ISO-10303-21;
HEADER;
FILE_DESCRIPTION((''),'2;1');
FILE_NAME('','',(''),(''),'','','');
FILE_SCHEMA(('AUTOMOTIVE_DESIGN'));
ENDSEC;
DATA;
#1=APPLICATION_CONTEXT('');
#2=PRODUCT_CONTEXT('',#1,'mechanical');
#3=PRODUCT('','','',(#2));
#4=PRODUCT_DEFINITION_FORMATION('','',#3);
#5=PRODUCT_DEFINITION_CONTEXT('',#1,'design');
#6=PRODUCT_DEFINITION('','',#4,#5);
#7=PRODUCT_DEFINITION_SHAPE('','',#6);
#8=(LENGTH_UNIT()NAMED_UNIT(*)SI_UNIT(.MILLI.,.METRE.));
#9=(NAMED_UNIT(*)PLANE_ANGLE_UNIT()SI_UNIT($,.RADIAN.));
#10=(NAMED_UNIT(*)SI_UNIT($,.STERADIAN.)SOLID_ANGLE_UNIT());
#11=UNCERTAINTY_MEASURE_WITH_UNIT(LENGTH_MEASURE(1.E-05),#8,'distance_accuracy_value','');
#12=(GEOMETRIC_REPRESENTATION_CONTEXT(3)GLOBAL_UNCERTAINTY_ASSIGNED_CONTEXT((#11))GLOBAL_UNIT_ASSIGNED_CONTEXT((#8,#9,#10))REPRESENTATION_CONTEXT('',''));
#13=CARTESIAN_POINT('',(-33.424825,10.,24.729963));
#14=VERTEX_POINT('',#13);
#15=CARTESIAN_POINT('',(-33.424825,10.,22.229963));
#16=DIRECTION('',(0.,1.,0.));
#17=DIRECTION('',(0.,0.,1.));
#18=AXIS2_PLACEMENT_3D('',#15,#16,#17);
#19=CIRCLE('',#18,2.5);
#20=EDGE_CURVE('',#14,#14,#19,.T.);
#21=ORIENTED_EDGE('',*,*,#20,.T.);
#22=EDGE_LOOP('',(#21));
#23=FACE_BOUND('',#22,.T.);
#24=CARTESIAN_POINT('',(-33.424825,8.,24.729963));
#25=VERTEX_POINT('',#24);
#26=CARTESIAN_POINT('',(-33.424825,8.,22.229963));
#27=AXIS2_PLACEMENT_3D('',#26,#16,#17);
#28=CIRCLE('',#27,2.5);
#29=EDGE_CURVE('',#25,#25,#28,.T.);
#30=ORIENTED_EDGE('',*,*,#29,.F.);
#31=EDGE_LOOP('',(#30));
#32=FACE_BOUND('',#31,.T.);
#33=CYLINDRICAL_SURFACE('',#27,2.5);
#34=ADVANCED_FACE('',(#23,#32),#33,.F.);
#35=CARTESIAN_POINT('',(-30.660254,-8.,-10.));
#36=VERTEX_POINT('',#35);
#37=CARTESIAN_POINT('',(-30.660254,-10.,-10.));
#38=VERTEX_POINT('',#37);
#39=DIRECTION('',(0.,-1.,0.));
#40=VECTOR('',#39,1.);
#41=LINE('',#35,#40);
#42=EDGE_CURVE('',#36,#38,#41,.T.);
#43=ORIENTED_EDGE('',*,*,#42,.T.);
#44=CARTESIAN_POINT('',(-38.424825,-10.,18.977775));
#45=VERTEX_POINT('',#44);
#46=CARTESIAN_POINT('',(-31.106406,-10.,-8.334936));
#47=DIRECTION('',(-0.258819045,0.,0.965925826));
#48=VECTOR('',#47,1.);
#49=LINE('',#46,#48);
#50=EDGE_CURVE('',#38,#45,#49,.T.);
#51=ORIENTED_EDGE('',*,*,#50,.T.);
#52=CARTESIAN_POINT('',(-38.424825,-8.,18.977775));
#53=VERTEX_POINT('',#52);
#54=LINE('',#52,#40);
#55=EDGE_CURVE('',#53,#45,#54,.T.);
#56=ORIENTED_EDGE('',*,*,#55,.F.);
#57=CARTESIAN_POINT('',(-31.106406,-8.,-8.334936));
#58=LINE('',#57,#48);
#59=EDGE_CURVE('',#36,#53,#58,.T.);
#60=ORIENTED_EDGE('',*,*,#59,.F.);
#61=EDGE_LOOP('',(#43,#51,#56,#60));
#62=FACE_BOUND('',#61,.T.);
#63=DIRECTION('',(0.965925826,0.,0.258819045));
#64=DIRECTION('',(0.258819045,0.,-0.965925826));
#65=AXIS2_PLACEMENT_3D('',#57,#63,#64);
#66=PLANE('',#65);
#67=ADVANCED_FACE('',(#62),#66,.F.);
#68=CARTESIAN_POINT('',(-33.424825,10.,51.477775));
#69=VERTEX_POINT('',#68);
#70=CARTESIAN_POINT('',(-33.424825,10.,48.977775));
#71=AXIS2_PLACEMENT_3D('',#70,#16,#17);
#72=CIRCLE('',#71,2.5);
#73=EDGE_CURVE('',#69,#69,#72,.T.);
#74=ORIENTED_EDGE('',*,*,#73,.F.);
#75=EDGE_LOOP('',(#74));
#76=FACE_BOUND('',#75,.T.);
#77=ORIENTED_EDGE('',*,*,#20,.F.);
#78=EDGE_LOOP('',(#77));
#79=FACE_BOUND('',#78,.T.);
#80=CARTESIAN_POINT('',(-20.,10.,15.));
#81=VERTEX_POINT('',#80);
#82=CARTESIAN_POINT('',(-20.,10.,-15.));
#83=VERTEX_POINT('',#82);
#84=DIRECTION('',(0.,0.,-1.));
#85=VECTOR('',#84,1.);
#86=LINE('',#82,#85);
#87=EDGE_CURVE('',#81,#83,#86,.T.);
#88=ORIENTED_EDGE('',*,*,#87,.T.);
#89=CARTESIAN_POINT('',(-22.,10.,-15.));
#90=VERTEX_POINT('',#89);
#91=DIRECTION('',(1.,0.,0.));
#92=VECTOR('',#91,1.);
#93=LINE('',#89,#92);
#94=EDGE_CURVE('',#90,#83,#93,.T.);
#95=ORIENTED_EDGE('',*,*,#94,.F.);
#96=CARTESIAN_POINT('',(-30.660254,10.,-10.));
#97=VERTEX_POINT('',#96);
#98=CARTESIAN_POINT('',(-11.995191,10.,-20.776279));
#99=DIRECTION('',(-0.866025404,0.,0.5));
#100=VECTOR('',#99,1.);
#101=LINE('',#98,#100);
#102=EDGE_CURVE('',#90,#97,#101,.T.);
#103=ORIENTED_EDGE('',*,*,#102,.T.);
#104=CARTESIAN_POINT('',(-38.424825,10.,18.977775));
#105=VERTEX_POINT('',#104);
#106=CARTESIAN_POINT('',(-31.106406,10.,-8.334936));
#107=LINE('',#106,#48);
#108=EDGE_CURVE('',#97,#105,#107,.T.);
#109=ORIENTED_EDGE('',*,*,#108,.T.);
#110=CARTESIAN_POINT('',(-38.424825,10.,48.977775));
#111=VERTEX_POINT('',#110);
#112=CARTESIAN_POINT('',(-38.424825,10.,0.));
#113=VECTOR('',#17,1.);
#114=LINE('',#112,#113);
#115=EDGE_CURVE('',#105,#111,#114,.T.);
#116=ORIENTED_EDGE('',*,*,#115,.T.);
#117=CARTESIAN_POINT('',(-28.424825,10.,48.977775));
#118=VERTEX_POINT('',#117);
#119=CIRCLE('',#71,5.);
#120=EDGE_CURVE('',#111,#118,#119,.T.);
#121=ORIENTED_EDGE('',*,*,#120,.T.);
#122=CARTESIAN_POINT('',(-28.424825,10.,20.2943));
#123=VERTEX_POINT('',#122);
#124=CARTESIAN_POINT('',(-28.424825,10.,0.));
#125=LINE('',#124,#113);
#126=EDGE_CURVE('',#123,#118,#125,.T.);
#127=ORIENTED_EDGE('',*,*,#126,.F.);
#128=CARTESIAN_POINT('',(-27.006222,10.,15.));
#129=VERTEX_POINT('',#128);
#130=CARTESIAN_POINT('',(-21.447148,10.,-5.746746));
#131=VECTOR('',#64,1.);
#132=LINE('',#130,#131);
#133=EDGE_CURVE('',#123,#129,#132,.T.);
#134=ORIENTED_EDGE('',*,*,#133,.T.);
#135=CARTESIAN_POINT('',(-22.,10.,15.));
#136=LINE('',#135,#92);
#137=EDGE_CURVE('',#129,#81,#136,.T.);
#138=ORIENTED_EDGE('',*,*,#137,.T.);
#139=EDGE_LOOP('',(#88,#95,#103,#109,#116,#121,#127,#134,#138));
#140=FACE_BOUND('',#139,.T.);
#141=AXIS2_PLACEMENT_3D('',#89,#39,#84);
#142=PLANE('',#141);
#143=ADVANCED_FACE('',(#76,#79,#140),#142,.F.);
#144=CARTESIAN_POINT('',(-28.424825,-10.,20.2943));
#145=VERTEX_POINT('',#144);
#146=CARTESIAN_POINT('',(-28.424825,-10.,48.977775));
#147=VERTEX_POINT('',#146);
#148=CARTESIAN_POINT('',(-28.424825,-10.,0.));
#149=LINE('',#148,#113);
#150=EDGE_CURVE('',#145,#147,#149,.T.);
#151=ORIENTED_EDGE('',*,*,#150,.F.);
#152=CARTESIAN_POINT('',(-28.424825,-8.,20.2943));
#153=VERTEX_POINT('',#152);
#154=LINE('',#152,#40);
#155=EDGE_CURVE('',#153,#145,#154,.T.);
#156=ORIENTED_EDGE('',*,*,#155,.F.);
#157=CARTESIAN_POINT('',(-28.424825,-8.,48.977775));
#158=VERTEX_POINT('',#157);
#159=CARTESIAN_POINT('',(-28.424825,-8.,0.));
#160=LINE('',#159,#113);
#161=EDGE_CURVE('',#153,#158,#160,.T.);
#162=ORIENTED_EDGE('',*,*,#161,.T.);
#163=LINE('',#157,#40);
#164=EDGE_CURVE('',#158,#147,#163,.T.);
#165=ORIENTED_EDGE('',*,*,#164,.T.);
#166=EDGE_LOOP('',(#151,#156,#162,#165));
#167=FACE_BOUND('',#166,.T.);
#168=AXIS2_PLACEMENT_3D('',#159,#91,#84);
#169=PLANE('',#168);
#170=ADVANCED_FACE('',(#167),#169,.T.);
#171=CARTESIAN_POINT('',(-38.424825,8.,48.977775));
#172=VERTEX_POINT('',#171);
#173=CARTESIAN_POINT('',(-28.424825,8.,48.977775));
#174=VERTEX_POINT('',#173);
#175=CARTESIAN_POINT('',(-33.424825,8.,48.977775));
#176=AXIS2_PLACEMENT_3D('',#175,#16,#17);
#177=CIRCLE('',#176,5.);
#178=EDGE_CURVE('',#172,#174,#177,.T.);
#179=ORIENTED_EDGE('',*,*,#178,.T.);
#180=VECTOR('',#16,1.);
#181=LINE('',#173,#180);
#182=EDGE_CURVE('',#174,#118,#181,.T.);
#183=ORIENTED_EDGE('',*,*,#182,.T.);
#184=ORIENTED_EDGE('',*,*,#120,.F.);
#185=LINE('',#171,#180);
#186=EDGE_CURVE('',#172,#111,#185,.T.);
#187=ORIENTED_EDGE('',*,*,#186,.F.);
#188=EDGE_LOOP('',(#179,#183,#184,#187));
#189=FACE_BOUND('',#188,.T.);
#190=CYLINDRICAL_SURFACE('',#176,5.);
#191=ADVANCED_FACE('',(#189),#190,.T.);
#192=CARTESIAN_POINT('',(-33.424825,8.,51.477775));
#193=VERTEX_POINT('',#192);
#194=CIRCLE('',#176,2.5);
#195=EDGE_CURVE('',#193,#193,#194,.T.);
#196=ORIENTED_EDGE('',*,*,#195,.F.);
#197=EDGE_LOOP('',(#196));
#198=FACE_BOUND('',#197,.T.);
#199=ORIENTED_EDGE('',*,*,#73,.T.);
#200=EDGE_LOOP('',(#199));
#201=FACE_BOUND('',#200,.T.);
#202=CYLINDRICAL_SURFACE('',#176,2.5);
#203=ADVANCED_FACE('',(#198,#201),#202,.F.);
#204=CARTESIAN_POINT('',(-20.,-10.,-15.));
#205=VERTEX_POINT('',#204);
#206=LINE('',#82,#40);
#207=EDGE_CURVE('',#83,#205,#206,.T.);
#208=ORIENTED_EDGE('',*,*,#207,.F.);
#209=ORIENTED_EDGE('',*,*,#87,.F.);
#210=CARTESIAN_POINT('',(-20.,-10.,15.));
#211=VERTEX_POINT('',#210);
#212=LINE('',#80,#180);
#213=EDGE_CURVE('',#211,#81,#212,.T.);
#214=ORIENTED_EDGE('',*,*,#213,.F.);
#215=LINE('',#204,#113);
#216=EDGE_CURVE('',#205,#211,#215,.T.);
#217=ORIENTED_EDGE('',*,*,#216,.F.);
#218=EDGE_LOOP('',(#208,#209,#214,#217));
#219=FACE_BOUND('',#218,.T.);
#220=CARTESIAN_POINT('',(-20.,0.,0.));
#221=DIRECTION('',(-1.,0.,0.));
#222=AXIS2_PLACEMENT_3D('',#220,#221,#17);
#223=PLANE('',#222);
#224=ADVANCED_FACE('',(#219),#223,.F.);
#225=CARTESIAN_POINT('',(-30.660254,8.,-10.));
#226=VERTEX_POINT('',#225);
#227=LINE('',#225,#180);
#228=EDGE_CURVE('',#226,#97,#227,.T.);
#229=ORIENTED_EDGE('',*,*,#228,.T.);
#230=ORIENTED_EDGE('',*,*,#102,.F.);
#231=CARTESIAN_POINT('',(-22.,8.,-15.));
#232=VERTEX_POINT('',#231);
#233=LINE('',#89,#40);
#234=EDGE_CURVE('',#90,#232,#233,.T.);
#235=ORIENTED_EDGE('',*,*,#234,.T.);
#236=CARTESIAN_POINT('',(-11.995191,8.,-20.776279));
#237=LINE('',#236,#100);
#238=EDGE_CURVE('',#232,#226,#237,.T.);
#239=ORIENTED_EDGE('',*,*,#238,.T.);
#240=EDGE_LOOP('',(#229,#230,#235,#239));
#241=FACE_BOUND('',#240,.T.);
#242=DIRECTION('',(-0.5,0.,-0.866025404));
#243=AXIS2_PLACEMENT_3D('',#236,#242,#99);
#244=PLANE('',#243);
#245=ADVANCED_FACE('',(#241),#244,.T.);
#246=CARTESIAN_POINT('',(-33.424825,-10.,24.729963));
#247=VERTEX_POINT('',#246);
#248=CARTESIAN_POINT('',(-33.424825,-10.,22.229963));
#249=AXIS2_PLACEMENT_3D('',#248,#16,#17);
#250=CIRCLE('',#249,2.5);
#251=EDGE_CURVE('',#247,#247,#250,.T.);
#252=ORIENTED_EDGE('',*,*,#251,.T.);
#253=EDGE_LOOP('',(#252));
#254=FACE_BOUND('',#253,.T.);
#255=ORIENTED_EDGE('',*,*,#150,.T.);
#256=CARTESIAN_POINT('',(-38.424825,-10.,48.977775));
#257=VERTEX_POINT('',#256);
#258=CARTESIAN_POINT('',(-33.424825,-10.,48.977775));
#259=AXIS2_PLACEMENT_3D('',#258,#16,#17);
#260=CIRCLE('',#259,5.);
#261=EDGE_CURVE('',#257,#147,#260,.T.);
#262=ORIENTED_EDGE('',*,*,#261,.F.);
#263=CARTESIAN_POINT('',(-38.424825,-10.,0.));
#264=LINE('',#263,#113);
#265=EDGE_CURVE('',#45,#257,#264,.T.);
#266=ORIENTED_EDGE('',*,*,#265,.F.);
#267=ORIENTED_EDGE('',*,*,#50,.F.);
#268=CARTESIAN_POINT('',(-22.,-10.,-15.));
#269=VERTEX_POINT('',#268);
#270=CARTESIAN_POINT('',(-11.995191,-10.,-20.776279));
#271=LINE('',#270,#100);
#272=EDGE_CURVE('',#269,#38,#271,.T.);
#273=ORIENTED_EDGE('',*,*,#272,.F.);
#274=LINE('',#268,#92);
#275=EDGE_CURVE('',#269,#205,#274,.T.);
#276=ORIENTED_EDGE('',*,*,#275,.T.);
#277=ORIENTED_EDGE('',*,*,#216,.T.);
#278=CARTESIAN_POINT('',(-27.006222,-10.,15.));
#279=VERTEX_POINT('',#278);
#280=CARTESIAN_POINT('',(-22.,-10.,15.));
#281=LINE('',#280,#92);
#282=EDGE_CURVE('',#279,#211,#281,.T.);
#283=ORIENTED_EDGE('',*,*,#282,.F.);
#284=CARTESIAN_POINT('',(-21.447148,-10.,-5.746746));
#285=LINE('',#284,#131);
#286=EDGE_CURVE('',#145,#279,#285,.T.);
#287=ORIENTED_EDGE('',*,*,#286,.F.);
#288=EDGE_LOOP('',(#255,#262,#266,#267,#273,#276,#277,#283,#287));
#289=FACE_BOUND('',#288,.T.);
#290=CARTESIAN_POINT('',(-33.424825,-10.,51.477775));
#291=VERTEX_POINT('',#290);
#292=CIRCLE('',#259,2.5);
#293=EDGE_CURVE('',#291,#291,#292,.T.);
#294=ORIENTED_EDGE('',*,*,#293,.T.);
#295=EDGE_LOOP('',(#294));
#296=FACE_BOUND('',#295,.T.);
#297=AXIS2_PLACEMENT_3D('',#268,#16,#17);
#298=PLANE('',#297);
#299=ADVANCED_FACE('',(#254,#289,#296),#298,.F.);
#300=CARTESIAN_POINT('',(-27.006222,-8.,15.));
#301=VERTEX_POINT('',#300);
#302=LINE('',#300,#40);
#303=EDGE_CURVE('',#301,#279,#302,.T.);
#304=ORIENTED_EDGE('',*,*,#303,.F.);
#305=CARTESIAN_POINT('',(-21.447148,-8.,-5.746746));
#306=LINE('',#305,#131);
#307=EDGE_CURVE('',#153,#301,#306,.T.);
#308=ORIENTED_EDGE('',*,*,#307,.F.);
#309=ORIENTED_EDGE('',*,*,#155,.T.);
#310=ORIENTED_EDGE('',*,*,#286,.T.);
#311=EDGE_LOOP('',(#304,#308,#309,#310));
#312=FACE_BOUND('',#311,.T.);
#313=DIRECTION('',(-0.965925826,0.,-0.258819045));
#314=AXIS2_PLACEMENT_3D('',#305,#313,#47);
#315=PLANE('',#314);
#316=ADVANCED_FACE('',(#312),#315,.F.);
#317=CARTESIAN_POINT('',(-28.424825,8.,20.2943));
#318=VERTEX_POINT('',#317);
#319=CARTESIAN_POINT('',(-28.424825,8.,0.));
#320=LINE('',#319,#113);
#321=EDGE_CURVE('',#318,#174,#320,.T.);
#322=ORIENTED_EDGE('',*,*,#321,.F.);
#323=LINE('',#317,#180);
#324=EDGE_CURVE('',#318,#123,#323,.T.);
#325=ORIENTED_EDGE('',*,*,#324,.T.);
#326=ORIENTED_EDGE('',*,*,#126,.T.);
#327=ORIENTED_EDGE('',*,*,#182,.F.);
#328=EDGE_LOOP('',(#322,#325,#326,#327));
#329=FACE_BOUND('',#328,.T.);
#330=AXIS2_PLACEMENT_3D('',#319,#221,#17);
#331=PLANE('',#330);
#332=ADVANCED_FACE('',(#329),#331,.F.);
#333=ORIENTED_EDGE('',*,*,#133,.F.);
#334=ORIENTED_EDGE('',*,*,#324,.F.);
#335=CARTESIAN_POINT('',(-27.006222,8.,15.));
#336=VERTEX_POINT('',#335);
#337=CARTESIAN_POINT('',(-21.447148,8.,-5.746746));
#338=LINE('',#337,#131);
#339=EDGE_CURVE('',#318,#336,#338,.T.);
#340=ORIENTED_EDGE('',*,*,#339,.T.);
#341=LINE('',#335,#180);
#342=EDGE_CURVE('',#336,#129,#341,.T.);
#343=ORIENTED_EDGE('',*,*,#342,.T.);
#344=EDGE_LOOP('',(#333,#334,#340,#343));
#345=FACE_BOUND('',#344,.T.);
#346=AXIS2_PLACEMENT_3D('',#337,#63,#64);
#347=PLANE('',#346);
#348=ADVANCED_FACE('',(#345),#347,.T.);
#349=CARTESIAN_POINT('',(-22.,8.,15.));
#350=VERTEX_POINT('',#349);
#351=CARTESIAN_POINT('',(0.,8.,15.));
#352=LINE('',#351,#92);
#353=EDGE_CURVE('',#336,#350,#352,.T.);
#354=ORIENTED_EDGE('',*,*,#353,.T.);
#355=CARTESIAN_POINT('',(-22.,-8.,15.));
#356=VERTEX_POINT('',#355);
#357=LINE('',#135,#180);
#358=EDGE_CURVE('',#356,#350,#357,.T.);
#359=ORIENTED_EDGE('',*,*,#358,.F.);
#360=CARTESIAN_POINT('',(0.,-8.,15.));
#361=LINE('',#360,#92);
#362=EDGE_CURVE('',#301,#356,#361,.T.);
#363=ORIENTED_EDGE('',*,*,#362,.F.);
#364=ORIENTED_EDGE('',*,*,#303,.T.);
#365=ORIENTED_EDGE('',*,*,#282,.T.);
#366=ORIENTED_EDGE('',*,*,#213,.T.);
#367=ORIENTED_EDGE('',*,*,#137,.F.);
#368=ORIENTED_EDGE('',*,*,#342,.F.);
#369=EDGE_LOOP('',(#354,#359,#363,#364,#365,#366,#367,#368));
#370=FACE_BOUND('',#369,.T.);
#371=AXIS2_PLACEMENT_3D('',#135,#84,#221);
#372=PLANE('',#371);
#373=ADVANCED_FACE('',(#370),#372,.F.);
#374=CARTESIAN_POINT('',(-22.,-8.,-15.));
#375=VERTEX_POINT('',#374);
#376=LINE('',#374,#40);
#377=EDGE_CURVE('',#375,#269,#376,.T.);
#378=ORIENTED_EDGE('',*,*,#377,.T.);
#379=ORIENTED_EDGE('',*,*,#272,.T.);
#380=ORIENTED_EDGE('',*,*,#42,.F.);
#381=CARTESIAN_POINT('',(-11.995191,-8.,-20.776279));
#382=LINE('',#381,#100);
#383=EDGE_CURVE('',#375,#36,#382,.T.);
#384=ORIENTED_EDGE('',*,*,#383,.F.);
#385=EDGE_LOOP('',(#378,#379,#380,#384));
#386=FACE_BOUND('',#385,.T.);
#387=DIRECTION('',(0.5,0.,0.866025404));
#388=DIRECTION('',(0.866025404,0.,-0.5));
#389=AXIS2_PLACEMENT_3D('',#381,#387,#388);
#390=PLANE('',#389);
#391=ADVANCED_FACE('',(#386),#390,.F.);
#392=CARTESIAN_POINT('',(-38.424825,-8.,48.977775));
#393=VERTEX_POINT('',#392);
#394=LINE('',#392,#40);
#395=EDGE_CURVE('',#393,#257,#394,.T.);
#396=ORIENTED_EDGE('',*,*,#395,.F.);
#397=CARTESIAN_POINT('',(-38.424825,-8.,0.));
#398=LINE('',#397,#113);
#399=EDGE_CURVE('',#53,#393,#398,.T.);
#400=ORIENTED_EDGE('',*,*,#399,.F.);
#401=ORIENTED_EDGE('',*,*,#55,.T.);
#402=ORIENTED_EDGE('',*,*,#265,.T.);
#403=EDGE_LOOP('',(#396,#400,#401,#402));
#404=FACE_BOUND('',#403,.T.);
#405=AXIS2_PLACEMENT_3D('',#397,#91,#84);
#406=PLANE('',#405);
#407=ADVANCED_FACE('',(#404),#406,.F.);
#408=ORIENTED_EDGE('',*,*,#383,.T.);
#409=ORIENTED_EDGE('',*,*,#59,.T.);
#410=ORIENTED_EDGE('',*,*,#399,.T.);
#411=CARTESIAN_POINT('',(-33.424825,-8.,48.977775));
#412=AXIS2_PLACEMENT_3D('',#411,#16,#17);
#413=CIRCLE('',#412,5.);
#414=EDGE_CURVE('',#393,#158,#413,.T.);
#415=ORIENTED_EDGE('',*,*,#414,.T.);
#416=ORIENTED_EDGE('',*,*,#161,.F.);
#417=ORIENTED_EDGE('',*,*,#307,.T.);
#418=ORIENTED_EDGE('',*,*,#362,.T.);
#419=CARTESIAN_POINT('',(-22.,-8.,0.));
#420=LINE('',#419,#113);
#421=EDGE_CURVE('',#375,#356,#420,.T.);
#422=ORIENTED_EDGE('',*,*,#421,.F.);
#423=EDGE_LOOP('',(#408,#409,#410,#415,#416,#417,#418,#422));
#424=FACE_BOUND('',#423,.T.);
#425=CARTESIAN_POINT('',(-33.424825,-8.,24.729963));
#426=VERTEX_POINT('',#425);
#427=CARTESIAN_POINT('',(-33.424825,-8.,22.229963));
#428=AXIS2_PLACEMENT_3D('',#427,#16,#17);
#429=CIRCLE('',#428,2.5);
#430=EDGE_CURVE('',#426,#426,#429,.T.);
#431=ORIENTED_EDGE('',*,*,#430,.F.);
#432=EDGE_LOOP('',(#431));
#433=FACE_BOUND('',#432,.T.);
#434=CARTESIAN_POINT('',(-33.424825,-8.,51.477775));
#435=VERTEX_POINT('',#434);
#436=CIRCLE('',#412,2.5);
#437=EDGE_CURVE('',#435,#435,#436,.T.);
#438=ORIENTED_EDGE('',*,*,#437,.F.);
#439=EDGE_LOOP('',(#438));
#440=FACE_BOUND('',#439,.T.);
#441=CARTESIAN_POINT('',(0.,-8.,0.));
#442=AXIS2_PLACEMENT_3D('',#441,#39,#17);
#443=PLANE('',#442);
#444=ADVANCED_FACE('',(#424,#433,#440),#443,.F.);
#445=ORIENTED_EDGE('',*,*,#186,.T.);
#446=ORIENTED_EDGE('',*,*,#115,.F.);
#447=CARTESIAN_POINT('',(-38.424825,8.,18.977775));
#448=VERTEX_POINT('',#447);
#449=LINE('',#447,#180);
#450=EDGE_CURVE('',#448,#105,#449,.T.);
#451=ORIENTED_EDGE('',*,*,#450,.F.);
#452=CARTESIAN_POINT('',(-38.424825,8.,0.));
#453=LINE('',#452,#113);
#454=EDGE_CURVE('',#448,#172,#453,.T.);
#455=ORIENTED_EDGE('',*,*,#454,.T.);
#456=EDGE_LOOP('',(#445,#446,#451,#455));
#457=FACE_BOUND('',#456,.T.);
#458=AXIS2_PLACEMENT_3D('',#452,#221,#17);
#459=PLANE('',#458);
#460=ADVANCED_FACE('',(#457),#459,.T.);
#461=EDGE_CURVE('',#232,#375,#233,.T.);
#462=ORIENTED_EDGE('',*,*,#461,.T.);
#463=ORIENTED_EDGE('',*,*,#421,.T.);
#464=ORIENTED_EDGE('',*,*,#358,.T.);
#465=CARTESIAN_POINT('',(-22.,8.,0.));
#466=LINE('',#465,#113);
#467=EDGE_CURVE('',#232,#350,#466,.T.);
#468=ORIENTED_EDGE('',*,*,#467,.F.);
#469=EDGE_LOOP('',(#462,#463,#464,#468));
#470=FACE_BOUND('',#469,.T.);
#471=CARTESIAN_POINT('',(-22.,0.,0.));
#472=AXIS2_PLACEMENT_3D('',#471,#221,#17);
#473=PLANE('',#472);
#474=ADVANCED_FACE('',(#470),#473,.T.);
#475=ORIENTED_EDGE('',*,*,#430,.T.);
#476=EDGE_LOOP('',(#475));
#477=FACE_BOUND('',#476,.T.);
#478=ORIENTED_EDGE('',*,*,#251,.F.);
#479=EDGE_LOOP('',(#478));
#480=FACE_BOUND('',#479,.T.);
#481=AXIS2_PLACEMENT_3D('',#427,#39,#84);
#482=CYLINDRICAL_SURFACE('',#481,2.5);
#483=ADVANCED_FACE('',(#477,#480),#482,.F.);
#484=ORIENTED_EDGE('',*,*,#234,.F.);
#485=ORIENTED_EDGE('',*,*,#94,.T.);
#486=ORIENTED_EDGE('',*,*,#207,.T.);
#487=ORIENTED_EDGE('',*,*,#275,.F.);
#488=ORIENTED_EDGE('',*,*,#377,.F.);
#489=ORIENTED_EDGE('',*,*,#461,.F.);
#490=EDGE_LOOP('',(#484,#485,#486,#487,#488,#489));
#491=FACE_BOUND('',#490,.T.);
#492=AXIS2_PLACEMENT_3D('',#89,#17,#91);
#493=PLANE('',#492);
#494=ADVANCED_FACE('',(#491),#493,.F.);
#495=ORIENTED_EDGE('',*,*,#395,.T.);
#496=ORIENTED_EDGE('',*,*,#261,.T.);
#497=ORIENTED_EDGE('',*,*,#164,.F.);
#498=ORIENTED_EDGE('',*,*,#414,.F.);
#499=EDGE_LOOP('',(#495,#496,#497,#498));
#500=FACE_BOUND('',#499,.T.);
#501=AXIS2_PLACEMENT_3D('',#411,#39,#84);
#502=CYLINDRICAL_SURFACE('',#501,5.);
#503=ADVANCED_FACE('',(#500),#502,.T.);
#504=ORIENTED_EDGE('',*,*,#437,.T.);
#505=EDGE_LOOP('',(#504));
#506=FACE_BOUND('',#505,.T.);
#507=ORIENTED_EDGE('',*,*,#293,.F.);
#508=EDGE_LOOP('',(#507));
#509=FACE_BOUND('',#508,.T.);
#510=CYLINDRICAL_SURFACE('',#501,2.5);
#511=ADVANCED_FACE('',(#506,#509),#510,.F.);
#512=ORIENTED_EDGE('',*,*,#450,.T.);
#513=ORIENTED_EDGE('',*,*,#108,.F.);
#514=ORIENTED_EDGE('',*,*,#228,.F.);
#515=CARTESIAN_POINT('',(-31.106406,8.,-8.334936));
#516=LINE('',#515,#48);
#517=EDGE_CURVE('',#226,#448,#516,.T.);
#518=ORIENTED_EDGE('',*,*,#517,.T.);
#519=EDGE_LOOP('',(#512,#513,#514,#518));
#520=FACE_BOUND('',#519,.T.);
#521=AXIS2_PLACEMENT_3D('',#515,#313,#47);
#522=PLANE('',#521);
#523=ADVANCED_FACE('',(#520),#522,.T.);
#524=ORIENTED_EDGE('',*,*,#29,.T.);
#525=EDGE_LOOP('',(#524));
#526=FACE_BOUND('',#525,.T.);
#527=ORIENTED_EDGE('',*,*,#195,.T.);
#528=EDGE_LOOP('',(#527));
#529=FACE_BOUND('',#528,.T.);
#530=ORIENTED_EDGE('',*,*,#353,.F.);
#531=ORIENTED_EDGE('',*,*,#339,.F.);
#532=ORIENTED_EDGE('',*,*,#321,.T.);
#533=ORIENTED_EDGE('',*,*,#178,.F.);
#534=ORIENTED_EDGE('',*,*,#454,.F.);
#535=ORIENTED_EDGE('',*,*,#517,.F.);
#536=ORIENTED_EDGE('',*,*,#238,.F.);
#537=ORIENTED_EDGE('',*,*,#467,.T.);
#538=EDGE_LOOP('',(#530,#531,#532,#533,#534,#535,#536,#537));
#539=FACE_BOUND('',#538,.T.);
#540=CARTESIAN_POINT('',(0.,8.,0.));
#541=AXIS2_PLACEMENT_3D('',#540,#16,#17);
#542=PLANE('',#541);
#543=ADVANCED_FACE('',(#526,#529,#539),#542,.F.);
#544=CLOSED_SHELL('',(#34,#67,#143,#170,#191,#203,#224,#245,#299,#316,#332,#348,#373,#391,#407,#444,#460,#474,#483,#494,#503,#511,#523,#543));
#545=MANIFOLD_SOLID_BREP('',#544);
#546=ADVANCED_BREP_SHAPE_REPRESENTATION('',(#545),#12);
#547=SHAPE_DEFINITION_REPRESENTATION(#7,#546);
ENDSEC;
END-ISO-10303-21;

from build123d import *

# Parameters (mm, degrees)
SKETCH2_W           = 30
SKETCH2_H           = 20
BOSS_EXTRUDE1_DEPTH = 2
SKETCH3_R           = 2.5
BOSS_EXTRUDE2_DEPTH = 2


with BuildPart() as part:
    # Sketch2 → Boss-Extrude1 (new body)
    with BuildSketch(Plane.ZY.offset(20)):
        Rectangle(SKETCH2_W, SKETCH2_H)
    extrude(amount=BOSS_EXTRUDE1_DEPTH)

    # Sketch3 → Boss-Extrude2 (add)
    with BuildSketch(Plane(origin=(0, 10, 0), x_dir=(1, 0, 0), z_dir=(0, 1, 0))):
        with BuildLine():
            Line((-22, -15), (-22, 15))
            Line((-22, 15), (-30.660254038, 10))
            Line((-30.660254038, 10), (-38.424825391, -18.977774789))
            Line((-38.424825391, -18.977774789), (-38.424825391, -48.977774789))
            ThreePointArc((-38.424825391, -48.977774789), (-33.424825391, -53.977774789), (-28.424825391, -48.977774789))
            Line((-28.424825391, -48.977774789), (-28.424825391, -20.294299765))
            Line((-28.424825391, -20.294299765), (-27.006222045, -15))
            Line((-27.006222045, -15), (-22, -15))
        make_face()
        with Locations(Location((-33.424825391, -48.977774789, 0), (0, 0, 270))):
            Circle(SKETCH3_R, mode=Mode.SUBTRACT)
        with Locations(Location((-33.424825391, -22.229962666, 0), (0, 0, 270))):
            Circle(SKETCH3_R, mode=Mode.SUBTRACT)
    boss_extrude2 = extrude(amount=-BOSS_EXTRUDE2_DEPTH)

    # Mirror1: Boss-Extrude2 across plane
    add(boss_extrude2.mirror(Plane(origin=(0, 0, 0), x_dir=(0, 0, 1), z_dir=(0, -1, 0))))


solid = part.part
